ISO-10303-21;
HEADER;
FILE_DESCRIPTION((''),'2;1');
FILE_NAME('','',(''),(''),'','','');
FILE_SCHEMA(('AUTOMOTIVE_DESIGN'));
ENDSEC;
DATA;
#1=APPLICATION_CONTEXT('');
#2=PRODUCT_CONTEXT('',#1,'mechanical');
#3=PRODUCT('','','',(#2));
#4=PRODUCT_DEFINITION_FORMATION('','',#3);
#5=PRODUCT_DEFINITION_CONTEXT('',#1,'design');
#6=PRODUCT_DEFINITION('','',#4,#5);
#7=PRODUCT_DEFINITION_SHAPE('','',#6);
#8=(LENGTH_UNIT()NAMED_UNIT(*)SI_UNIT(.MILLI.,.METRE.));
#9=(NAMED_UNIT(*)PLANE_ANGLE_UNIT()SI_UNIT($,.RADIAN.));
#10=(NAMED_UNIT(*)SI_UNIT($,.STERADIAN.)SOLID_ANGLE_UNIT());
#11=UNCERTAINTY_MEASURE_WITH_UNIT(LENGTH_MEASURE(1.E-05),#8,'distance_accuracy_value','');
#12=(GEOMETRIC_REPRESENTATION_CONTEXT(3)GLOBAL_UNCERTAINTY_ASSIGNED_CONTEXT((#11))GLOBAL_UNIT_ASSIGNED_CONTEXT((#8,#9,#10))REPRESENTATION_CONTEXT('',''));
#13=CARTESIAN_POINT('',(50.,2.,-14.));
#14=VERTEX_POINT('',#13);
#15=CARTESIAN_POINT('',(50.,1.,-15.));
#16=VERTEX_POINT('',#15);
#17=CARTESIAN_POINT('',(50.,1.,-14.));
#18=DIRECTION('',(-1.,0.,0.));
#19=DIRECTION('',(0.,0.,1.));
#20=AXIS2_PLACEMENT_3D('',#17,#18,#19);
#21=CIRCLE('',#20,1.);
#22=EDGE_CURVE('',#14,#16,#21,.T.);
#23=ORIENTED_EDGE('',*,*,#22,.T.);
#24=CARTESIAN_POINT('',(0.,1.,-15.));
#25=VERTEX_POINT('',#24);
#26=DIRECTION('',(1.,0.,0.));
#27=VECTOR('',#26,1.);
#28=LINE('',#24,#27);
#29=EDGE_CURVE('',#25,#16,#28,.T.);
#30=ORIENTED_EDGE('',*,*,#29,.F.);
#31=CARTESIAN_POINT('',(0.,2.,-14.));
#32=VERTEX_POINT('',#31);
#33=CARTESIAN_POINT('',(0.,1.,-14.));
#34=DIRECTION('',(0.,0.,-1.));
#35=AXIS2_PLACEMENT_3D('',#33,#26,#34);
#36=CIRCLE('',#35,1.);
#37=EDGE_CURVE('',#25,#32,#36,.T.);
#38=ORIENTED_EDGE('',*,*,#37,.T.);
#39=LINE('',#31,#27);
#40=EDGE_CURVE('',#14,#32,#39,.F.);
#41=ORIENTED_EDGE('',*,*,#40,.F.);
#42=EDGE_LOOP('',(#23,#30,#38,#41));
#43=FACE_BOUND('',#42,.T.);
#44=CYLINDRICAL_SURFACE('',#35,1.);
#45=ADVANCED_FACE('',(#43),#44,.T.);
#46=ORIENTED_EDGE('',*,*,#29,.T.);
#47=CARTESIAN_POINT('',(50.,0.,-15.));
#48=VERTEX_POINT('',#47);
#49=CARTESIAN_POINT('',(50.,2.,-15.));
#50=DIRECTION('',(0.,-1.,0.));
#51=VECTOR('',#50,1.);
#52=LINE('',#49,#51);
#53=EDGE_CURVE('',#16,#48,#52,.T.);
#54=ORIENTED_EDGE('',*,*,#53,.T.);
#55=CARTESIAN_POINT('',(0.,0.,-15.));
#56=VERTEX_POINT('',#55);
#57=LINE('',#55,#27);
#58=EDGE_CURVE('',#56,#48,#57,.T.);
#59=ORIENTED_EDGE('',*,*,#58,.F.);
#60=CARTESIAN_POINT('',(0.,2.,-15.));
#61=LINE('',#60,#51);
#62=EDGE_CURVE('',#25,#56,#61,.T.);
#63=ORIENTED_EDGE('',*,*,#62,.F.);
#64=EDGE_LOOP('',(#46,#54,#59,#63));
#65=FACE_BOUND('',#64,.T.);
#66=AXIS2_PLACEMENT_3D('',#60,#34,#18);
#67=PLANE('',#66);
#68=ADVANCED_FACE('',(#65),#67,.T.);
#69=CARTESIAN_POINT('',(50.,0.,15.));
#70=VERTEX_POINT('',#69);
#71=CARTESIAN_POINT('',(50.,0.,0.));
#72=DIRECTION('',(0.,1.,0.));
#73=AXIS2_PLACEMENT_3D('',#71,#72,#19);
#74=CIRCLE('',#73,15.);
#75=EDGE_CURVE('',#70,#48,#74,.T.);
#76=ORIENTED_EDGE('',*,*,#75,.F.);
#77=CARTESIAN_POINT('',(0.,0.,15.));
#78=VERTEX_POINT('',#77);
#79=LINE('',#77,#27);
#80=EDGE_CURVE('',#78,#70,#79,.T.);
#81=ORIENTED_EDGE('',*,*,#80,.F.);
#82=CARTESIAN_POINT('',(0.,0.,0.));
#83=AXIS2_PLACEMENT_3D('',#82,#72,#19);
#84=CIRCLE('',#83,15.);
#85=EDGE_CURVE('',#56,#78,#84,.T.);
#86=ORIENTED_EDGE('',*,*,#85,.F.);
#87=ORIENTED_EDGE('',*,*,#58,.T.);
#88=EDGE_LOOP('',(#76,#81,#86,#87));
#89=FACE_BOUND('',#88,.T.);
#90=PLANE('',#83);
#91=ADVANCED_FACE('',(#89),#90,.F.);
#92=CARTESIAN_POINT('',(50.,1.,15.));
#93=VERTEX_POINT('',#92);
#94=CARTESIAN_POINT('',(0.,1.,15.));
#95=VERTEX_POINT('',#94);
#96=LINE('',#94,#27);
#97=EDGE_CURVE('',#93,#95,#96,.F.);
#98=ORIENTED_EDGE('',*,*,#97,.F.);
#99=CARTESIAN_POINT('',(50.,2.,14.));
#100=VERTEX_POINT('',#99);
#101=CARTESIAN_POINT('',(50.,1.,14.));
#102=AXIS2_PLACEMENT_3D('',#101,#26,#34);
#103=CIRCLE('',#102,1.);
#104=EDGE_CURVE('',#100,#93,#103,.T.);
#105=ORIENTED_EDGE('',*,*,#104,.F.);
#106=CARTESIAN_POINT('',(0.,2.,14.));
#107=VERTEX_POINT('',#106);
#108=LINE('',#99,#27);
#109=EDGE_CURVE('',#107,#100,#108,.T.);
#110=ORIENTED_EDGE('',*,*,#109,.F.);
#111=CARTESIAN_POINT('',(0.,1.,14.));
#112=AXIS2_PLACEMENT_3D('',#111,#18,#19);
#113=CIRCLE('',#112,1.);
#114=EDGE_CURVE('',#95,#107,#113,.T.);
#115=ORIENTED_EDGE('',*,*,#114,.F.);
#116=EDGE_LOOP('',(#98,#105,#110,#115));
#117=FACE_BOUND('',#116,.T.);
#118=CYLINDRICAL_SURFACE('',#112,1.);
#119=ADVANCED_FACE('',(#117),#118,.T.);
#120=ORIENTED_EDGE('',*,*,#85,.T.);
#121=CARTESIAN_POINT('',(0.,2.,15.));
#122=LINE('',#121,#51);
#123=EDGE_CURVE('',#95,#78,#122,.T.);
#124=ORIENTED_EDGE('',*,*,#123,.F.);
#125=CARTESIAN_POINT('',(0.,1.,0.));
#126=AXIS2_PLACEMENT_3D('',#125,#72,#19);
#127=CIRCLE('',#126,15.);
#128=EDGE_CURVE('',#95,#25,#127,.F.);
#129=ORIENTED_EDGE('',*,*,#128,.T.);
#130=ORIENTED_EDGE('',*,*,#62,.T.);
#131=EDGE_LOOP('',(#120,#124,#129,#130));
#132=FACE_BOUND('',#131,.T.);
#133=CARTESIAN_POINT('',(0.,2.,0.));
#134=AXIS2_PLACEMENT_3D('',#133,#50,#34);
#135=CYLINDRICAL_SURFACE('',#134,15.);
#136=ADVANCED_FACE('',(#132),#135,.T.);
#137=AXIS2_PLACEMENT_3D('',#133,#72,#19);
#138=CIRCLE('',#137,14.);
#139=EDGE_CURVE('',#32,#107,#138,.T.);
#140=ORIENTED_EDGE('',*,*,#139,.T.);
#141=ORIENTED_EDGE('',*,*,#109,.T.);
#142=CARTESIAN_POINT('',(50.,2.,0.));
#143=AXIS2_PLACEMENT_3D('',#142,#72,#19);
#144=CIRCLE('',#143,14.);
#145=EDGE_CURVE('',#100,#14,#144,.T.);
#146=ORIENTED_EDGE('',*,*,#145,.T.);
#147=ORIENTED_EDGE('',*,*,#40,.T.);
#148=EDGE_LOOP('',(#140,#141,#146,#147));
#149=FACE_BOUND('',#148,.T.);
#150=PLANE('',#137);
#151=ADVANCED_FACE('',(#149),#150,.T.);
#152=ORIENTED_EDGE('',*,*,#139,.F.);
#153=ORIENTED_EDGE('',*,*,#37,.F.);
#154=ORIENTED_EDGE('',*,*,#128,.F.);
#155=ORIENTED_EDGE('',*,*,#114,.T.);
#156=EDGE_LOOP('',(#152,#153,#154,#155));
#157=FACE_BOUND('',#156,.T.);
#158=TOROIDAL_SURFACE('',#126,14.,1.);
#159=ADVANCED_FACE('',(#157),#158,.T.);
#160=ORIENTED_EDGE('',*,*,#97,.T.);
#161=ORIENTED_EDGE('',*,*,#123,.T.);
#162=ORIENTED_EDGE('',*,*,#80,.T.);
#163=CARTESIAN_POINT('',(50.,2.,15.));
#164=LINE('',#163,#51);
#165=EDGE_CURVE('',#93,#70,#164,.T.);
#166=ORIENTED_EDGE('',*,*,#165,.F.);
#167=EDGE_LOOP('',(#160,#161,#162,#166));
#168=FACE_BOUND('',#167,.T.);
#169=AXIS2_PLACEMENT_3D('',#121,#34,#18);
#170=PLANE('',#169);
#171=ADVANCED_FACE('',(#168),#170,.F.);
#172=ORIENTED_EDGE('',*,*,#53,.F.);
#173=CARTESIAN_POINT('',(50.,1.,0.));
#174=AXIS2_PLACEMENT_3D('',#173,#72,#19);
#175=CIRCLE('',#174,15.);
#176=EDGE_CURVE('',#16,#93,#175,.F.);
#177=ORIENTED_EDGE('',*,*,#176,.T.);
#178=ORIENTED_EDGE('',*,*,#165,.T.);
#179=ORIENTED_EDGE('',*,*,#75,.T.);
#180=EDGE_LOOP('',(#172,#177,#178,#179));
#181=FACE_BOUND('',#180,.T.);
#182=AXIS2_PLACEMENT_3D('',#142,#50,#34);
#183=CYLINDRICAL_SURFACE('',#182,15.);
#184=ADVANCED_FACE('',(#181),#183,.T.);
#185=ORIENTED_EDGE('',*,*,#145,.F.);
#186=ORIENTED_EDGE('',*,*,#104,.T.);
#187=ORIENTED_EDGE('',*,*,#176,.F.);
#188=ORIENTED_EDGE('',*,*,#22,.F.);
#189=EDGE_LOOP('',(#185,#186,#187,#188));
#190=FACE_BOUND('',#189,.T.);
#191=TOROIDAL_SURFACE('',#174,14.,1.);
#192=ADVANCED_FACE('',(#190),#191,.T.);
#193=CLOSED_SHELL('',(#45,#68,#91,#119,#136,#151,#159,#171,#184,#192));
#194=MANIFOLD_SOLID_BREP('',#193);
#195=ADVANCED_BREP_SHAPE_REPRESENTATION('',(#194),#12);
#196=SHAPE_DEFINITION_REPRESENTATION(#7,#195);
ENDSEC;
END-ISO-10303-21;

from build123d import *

# Parameters (mm, degrees)
BOSS_EXTRUDE1_DEPTH = 2
FILLET1_R           = 1


with BuildPart() as part:
    # Sketch1 → Boss-Extrude1 (new body)
    with BuildSketch(Plane(origin=(0, 0, 0), x_dir=(1, 0, 0), z_dir=(0, 1, 0))):
        with BuildLine():
            Line((0, 15), (50, 15))
            ThreePointArc((50, 15), (65, 0), (50, -15))
            Line((50, -15), (0, -15))
            ThreePointArc((0, -15), (-15, 0), (0, 15))
        make_face()
    extrude(amount=BOSS_EXTRUDE1_DEPTH)

    # Fillet1
    fillet1_edges = [part.edges().sort_by_distance(p)[0] for p in [
        (65, 2, 0),
        (25, 2, -15),
        (-15, 2, 0),
        (25, 2, 15),
    ]]
    fillet(fillet1_edges, radius=FILLET1_R)


solid = part.part
